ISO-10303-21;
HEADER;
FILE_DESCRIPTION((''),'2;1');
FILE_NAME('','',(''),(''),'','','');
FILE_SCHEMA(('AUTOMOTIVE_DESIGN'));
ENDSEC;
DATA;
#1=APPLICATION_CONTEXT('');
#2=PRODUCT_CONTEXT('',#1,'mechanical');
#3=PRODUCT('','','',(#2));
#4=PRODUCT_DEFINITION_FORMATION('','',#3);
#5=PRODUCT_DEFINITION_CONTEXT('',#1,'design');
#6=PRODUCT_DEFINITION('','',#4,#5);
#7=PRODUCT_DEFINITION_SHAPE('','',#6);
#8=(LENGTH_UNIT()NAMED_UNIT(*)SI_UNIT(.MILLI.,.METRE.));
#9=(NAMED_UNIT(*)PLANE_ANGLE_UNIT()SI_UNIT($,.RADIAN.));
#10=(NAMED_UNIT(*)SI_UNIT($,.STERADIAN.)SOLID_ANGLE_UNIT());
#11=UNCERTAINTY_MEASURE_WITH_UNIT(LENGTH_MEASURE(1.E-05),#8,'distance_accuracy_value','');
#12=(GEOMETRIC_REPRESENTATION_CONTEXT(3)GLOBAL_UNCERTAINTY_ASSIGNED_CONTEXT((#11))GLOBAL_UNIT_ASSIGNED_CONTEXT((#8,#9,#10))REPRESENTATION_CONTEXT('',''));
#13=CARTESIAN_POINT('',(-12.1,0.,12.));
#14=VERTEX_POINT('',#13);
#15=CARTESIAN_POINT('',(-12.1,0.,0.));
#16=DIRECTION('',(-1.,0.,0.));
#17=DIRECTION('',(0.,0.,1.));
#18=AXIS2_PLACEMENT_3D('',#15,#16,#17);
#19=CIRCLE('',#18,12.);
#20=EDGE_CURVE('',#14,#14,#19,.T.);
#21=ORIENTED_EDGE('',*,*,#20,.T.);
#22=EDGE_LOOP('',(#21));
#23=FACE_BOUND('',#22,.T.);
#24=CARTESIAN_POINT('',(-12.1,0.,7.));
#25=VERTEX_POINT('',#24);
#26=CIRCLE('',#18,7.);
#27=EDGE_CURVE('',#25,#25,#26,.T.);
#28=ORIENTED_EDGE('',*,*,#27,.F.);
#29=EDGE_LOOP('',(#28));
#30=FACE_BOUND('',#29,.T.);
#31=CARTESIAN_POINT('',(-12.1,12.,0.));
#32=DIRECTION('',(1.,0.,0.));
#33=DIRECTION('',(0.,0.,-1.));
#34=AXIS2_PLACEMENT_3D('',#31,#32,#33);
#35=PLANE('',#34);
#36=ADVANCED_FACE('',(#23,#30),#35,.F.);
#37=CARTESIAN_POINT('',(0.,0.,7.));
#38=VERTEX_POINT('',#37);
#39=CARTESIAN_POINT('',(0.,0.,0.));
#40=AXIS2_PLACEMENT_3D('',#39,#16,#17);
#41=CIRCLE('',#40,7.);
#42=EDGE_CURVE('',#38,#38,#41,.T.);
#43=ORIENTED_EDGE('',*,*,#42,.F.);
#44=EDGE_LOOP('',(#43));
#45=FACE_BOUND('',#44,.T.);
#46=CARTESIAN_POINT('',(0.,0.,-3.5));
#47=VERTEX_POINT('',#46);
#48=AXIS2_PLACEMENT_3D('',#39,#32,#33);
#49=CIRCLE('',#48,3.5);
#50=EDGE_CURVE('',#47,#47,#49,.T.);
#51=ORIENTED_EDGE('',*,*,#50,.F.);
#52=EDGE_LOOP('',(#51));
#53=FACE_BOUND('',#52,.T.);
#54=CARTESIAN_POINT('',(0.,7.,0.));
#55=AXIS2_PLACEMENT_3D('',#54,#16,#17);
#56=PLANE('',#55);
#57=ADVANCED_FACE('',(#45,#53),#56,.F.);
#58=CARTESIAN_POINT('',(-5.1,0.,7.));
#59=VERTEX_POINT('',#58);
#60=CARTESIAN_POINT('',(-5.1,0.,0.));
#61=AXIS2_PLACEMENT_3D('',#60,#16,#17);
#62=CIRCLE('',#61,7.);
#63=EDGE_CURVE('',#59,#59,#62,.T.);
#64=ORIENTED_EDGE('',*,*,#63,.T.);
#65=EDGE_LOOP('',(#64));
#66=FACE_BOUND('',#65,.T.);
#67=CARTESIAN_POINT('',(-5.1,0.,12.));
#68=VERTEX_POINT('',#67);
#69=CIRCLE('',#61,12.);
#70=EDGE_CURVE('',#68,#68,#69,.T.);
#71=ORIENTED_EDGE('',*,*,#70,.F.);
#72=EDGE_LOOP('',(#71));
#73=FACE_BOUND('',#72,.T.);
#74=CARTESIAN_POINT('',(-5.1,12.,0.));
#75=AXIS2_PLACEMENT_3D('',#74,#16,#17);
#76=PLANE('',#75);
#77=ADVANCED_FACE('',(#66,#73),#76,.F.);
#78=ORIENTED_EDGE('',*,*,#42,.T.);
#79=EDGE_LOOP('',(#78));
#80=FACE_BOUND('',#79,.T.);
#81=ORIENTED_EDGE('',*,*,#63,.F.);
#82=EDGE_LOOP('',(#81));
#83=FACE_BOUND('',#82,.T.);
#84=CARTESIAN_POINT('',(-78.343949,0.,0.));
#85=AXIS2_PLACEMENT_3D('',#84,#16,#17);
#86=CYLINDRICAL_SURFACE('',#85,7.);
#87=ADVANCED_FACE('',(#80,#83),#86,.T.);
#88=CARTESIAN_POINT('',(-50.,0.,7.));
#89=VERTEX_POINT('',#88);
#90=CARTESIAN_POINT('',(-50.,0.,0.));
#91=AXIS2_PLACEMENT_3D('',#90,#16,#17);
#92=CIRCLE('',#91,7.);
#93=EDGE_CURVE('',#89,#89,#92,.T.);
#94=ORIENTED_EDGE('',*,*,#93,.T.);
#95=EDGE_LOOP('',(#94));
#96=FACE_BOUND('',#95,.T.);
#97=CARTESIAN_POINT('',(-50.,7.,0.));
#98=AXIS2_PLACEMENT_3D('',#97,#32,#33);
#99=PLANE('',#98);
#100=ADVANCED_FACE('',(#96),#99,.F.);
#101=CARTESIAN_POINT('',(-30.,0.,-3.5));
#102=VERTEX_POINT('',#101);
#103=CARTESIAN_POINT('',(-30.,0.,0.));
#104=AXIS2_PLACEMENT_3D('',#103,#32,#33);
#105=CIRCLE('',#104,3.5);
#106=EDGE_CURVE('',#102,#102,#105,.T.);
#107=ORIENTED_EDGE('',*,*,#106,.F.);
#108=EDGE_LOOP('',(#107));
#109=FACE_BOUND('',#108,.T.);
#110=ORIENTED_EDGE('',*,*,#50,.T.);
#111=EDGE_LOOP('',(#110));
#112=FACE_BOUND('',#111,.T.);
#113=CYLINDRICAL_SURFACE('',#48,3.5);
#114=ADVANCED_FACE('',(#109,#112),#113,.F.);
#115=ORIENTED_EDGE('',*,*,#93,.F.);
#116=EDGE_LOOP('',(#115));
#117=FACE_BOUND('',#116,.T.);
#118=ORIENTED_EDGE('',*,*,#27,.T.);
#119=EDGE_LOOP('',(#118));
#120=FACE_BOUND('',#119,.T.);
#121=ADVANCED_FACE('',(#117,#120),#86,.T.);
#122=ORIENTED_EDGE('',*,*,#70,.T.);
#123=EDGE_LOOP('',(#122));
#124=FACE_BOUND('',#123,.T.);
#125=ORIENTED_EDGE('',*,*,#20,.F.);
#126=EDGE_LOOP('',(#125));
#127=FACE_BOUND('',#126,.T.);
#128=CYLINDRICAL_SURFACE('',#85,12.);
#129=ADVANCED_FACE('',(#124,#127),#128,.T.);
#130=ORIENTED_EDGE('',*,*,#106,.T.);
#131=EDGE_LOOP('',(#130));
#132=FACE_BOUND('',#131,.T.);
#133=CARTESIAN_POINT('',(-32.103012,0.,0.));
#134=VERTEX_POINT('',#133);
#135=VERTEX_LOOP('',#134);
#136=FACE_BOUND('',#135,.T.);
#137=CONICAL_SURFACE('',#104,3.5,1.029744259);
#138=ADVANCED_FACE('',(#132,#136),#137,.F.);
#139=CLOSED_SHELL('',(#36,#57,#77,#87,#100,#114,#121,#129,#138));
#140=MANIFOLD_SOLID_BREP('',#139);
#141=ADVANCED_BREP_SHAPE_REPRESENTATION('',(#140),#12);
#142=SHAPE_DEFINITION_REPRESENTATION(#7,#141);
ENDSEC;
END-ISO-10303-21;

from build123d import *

# Parameters (mm, degrees)
TROU_TARAUD_M8X1_01_D     = 7
TROU_TARAUD_M8X1_01_DEPTH = 30
TROU_TARAUD_M8X1_01_TIP   = 2.103012167


with BuildPart() as part:
    # Sketch1 → Revolve1 (revolve)
    with BuildSketch(Plane.XY):
        Polygon((-5.1, 12), (-5.1, 7), (0, 7), (0, 0), (-50, 0), (-50, 7), (-12.1, 7), (-12.1, 12), align=None)
    revolve(axis=Axis((-78.343949045, 0, 0), (1, 0, 0)))

    # Trou taraudé M8x1.01
    with Locations(Plane(origin=(0, 0, 0), x_dir=(0, 0, -1), z_dir=(1, 0, 0))):
        with Locations((0, 0)):
            Hole(TROU_TARAUD_M8X1_01_D / 2, depth=TROU_TARAUD_M8X1_01_DEPTH)
            with Locations((0, 0, -(TROU_TARAUD_M8X1_01_DEPTH + TROU_TARAUD_M8X1_01_TIP / 2))):  # 118° drill point
                Cone(0, TROU_TARAUD_M8X1_01_D / 2, TROU_TARAUD_M8X1_01_TIP, mode=Mode.SUBTRACT)


solid = part.part
